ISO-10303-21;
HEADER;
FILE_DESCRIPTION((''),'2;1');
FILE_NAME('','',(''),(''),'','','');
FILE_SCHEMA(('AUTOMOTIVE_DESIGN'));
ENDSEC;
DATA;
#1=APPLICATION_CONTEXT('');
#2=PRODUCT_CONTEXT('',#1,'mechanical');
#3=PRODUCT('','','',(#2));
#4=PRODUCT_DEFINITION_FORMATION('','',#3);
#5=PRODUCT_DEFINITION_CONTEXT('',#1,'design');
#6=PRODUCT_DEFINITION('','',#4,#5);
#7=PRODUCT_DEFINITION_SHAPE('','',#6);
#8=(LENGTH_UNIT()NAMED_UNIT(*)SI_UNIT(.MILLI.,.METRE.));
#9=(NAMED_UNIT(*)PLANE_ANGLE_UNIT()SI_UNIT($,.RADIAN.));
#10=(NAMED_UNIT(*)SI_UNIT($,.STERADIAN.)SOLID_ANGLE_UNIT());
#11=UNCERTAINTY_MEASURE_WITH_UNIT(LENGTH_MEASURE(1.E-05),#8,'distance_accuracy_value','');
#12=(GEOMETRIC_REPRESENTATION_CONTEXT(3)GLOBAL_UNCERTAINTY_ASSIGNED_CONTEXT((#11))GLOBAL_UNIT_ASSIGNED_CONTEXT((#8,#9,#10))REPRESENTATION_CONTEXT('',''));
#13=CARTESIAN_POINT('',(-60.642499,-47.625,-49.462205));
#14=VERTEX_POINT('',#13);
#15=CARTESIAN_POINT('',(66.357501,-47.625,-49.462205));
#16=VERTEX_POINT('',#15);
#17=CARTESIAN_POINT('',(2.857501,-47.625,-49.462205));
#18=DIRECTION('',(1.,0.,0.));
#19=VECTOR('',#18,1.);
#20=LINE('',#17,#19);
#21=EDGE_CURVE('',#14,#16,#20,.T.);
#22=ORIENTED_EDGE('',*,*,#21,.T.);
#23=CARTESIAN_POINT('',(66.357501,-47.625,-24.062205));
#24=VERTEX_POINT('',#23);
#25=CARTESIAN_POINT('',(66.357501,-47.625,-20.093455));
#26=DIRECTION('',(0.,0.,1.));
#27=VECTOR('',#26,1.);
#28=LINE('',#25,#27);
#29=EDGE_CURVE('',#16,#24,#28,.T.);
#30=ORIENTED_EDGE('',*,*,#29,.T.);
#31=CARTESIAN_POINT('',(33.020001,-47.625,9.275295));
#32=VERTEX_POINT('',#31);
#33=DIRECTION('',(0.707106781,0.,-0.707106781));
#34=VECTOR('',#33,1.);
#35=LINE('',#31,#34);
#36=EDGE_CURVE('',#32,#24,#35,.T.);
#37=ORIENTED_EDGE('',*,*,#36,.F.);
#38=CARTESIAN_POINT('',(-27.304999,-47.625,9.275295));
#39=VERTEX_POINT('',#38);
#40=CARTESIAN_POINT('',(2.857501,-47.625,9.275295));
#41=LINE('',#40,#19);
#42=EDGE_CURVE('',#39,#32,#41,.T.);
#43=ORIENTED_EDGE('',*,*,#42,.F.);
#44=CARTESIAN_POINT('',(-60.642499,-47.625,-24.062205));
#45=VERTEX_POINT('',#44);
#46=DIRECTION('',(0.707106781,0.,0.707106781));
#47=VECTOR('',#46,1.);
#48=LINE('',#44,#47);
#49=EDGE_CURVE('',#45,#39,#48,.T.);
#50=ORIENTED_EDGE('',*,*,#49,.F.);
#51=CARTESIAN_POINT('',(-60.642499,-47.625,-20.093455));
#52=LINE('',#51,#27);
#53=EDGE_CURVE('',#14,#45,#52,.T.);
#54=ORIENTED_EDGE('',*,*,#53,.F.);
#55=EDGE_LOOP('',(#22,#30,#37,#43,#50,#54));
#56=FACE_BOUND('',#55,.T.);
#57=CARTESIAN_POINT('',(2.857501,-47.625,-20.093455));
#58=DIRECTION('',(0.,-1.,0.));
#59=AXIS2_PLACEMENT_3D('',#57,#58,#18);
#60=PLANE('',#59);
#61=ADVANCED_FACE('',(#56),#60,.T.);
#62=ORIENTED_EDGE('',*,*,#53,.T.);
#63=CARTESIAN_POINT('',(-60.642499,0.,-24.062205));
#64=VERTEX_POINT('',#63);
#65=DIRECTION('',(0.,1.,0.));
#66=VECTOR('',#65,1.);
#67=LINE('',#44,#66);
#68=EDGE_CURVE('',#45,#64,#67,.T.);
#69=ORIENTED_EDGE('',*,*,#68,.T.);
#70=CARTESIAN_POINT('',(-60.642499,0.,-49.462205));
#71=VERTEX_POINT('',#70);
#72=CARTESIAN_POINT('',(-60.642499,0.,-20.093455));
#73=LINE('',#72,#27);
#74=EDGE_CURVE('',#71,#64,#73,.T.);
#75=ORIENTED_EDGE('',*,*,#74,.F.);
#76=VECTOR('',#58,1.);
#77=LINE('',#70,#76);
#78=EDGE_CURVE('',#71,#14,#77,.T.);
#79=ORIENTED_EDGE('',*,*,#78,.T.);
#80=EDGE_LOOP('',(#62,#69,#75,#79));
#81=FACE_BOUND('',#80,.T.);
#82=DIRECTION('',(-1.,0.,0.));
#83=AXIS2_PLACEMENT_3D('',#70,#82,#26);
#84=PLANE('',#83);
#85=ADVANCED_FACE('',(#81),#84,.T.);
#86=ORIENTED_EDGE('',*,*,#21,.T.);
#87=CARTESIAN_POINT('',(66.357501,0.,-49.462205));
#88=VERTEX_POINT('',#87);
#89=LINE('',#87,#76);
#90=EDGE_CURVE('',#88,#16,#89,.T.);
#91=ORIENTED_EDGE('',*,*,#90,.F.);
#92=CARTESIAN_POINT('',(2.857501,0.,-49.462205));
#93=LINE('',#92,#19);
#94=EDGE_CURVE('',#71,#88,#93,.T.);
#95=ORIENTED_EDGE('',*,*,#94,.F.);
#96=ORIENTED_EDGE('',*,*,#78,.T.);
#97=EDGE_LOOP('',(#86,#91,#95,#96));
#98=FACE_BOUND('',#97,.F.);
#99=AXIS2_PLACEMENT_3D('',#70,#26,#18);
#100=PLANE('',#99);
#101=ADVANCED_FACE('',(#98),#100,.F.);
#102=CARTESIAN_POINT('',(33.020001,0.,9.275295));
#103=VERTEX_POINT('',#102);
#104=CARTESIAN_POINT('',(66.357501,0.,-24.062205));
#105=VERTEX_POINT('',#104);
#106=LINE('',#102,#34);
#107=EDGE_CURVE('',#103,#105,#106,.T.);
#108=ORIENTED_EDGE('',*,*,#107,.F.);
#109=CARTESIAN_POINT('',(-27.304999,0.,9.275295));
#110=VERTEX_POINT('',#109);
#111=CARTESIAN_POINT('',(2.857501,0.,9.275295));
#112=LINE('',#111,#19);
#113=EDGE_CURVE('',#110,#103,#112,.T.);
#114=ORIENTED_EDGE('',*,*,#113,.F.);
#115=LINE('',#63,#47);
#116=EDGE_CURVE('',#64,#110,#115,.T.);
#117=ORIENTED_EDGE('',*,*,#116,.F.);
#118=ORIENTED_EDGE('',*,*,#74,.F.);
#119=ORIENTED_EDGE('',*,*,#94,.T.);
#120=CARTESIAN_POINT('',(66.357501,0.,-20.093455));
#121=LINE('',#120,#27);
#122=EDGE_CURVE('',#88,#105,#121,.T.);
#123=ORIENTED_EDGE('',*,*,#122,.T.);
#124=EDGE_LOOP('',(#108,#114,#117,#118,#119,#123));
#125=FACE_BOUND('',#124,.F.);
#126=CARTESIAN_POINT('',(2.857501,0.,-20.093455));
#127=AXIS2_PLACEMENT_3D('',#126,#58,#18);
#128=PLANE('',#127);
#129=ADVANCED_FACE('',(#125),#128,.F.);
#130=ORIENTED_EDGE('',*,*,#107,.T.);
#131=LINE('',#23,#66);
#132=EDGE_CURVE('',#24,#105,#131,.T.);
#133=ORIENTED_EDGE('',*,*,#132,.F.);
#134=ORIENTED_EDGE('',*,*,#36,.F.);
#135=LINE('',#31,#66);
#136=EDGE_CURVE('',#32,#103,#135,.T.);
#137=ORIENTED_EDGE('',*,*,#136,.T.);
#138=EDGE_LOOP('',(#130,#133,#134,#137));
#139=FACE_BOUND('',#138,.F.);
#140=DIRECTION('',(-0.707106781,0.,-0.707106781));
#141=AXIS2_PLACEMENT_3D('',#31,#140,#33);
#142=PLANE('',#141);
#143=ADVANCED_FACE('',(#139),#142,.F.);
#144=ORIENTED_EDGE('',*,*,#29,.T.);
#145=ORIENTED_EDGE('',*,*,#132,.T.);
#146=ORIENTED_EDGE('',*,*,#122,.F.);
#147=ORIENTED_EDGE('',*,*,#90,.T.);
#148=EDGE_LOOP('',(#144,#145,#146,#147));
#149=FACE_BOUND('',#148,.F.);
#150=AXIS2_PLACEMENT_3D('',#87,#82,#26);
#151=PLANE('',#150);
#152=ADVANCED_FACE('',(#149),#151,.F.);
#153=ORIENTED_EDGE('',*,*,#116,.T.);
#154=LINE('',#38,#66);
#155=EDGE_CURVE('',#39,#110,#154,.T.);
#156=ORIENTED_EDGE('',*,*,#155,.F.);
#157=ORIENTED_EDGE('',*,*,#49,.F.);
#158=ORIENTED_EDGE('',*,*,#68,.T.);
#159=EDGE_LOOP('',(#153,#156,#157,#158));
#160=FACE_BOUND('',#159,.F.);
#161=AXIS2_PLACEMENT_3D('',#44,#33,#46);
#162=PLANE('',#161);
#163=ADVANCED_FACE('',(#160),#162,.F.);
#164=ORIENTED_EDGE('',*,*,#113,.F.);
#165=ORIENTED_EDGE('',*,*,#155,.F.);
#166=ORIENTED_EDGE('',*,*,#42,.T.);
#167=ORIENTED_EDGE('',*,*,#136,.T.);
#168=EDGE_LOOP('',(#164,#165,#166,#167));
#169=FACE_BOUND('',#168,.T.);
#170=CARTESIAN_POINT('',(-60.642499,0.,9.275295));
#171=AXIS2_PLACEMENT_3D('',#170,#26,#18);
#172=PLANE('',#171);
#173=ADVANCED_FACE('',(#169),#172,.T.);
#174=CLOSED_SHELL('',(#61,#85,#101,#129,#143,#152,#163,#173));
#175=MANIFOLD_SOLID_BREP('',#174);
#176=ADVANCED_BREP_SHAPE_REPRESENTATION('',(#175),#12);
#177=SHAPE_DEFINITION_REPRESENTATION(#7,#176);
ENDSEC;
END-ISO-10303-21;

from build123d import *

# Parameters (mm, degrees)
F0_W     = 127
F0_H     = 58.7375
F1_DEPTH = 47.625
F3_DEPTH = 47.625


with BuildPart() as f1:
    # F0 (on Front) → F1 (new body)
    with BuildSketch(Plane.XZ):
        with Locations((2.857501, -20.093455)):
            Rectangle(F0_W, F0_H)
    extrude(amount=F1_DEPTH)

    # F2 (on face) → F3 (cut)
    with BuildSketch(Plane.XZ.offset(47.625)):
        Polygon((-60.642499, 9.275295), (-60.642499, -24.062205), (-27.304999, 9.275295), align=None)
        Polygon((33.020001, 9.275295), (66.357501, -24.062205), (66.357501, 9.275295), align=None)
    extrude(amount=-F3_DEPTH, mode=Mode.SUBTRACT)


solid = f1.part
